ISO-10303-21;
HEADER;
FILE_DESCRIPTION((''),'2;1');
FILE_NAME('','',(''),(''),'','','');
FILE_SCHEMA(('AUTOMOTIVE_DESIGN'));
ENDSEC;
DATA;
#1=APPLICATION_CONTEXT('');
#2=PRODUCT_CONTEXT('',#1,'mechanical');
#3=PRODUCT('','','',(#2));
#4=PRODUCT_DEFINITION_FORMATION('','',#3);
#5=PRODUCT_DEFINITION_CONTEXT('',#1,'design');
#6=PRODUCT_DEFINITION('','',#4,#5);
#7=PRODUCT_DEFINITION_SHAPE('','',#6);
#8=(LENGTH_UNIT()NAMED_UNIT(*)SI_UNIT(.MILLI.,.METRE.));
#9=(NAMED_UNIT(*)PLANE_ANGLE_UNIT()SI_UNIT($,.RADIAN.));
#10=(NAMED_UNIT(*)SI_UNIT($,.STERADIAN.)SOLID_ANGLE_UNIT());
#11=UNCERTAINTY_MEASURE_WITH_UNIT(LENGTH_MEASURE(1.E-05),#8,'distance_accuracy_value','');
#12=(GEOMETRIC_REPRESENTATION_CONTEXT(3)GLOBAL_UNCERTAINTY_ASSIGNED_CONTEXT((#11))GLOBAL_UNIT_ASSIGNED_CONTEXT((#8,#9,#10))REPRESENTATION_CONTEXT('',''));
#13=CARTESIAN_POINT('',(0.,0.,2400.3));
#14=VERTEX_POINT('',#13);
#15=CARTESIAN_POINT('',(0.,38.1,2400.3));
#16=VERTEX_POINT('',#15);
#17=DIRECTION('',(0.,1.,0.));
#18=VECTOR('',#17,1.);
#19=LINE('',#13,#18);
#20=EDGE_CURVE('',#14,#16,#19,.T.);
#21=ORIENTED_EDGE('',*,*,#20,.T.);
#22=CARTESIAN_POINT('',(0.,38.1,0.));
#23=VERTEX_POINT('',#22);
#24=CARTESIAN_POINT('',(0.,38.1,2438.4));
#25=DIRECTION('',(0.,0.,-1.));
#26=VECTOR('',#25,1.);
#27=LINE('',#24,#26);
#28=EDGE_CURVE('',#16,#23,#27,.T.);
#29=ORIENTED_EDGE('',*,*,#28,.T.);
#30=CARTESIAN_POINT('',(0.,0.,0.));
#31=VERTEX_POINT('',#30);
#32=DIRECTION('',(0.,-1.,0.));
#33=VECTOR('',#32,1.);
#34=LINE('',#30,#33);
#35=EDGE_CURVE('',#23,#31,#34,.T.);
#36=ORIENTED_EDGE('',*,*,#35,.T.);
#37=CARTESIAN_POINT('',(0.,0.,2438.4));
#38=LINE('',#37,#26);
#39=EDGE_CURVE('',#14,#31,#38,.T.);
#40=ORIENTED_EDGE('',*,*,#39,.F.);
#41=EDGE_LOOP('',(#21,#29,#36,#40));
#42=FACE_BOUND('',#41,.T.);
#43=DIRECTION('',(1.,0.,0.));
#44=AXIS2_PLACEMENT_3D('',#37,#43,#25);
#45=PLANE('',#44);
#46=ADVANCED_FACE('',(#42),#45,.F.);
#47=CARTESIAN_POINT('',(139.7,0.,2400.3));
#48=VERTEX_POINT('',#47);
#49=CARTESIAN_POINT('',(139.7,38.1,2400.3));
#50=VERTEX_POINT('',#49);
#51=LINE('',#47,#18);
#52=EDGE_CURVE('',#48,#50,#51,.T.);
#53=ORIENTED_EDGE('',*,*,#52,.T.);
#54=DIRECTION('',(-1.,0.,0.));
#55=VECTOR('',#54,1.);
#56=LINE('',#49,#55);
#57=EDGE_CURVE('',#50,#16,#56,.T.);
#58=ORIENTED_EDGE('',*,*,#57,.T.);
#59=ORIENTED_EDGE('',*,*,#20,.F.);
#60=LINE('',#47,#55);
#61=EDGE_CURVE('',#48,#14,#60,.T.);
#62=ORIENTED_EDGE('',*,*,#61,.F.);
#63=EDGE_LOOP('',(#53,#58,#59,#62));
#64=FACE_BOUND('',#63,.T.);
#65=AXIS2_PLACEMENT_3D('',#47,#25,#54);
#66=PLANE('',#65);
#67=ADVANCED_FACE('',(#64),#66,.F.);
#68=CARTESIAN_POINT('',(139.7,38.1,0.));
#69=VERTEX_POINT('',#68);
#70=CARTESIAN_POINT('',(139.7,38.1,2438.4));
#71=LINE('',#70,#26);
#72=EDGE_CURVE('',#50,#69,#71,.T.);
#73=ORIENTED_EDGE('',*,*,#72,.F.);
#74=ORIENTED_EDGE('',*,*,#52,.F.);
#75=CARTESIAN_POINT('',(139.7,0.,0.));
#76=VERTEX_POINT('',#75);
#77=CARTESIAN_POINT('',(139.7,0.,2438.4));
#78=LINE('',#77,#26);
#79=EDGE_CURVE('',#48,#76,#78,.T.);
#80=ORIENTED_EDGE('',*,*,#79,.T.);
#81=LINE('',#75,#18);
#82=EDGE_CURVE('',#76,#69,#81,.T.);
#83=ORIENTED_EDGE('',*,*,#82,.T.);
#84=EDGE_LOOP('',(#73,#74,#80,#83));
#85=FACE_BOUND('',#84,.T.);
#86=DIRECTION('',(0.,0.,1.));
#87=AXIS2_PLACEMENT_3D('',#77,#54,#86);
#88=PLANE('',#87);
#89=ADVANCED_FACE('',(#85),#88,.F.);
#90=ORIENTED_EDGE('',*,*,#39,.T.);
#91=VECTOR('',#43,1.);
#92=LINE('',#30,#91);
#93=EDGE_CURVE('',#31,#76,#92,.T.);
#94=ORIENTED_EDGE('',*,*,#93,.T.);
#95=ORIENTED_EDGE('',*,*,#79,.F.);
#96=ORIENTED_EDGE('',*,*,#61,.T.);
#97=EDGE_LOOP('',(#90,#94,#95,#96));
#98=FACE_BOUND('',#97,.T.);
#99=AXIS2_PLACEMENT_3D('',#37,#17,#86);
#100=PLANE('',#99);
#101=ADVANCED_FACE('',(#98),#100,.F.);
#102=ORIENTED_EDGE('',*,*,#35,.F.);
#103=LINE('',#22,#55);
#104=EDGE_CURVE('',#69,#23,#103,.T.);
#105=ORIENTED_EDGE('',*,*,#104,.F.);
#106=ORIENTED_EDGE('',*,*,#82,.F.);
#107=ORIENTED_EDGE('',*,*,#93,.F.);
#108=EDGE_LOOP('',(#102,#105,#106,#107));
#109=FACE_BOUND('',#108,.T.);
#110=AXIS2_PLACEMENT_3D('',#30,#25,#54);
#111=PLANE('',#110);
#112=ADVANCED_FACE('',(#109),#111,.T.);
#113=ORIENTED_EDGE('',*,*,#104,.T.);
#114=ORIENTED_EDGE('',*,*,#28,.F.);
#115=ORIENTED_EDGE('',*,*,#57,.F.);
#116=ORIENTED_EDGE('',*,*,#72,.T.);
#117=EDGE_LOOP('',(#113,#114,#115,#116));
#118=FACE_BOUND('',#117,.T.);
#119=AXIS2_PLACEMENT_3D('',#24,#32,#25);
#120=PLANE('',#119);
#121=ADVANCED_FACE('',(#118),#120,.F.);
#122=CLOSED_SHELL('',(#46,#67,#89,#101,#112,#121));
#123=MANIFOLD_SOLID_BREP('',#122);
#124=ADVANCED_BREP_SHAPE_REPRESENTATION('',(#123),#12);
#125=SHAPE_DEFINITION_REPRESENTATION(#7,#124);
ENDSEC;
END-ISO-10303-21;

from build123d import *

# Parameters (mm, degrees)
SKETCH1_W           = 139.7
SKETCH1_H           = 38.1
BOSS_EXTRUDE1_DEPTH = 2438.4
SKETCH2_W           = 139.7
SKETCH2_H           = 38.1
CUT_EXTRUDE1_DEPTH  = 39.1


with BuildPart() as part:
    # Sketch1 → Boss-Extrude1 (new body)
    with BuildSketch(Plane.XY):
        with Locations((69.85, 19.05)):
            Rectangle(SKETCH1_W, SKETCH1_H)
    extrude(amount=BOSS_EXTRUDE1_DEPTH)

    # Sketch2 → Cut-Extrude1 (cut, through all)
    with BuildSketch(Plane(origin=(0, 38.1, 0), x_dir=(1, 0, 0), z_dir=(0, 1, 0))):
        with Locations((69.85, -2419.35)):
            Rectangle(SKETCH2_W, SKETCH2_H)
    extrude(amount=-CUT_EXTRUDE1_DEPTH, mode=Mode.SUBTRACT)


solid = part.part
